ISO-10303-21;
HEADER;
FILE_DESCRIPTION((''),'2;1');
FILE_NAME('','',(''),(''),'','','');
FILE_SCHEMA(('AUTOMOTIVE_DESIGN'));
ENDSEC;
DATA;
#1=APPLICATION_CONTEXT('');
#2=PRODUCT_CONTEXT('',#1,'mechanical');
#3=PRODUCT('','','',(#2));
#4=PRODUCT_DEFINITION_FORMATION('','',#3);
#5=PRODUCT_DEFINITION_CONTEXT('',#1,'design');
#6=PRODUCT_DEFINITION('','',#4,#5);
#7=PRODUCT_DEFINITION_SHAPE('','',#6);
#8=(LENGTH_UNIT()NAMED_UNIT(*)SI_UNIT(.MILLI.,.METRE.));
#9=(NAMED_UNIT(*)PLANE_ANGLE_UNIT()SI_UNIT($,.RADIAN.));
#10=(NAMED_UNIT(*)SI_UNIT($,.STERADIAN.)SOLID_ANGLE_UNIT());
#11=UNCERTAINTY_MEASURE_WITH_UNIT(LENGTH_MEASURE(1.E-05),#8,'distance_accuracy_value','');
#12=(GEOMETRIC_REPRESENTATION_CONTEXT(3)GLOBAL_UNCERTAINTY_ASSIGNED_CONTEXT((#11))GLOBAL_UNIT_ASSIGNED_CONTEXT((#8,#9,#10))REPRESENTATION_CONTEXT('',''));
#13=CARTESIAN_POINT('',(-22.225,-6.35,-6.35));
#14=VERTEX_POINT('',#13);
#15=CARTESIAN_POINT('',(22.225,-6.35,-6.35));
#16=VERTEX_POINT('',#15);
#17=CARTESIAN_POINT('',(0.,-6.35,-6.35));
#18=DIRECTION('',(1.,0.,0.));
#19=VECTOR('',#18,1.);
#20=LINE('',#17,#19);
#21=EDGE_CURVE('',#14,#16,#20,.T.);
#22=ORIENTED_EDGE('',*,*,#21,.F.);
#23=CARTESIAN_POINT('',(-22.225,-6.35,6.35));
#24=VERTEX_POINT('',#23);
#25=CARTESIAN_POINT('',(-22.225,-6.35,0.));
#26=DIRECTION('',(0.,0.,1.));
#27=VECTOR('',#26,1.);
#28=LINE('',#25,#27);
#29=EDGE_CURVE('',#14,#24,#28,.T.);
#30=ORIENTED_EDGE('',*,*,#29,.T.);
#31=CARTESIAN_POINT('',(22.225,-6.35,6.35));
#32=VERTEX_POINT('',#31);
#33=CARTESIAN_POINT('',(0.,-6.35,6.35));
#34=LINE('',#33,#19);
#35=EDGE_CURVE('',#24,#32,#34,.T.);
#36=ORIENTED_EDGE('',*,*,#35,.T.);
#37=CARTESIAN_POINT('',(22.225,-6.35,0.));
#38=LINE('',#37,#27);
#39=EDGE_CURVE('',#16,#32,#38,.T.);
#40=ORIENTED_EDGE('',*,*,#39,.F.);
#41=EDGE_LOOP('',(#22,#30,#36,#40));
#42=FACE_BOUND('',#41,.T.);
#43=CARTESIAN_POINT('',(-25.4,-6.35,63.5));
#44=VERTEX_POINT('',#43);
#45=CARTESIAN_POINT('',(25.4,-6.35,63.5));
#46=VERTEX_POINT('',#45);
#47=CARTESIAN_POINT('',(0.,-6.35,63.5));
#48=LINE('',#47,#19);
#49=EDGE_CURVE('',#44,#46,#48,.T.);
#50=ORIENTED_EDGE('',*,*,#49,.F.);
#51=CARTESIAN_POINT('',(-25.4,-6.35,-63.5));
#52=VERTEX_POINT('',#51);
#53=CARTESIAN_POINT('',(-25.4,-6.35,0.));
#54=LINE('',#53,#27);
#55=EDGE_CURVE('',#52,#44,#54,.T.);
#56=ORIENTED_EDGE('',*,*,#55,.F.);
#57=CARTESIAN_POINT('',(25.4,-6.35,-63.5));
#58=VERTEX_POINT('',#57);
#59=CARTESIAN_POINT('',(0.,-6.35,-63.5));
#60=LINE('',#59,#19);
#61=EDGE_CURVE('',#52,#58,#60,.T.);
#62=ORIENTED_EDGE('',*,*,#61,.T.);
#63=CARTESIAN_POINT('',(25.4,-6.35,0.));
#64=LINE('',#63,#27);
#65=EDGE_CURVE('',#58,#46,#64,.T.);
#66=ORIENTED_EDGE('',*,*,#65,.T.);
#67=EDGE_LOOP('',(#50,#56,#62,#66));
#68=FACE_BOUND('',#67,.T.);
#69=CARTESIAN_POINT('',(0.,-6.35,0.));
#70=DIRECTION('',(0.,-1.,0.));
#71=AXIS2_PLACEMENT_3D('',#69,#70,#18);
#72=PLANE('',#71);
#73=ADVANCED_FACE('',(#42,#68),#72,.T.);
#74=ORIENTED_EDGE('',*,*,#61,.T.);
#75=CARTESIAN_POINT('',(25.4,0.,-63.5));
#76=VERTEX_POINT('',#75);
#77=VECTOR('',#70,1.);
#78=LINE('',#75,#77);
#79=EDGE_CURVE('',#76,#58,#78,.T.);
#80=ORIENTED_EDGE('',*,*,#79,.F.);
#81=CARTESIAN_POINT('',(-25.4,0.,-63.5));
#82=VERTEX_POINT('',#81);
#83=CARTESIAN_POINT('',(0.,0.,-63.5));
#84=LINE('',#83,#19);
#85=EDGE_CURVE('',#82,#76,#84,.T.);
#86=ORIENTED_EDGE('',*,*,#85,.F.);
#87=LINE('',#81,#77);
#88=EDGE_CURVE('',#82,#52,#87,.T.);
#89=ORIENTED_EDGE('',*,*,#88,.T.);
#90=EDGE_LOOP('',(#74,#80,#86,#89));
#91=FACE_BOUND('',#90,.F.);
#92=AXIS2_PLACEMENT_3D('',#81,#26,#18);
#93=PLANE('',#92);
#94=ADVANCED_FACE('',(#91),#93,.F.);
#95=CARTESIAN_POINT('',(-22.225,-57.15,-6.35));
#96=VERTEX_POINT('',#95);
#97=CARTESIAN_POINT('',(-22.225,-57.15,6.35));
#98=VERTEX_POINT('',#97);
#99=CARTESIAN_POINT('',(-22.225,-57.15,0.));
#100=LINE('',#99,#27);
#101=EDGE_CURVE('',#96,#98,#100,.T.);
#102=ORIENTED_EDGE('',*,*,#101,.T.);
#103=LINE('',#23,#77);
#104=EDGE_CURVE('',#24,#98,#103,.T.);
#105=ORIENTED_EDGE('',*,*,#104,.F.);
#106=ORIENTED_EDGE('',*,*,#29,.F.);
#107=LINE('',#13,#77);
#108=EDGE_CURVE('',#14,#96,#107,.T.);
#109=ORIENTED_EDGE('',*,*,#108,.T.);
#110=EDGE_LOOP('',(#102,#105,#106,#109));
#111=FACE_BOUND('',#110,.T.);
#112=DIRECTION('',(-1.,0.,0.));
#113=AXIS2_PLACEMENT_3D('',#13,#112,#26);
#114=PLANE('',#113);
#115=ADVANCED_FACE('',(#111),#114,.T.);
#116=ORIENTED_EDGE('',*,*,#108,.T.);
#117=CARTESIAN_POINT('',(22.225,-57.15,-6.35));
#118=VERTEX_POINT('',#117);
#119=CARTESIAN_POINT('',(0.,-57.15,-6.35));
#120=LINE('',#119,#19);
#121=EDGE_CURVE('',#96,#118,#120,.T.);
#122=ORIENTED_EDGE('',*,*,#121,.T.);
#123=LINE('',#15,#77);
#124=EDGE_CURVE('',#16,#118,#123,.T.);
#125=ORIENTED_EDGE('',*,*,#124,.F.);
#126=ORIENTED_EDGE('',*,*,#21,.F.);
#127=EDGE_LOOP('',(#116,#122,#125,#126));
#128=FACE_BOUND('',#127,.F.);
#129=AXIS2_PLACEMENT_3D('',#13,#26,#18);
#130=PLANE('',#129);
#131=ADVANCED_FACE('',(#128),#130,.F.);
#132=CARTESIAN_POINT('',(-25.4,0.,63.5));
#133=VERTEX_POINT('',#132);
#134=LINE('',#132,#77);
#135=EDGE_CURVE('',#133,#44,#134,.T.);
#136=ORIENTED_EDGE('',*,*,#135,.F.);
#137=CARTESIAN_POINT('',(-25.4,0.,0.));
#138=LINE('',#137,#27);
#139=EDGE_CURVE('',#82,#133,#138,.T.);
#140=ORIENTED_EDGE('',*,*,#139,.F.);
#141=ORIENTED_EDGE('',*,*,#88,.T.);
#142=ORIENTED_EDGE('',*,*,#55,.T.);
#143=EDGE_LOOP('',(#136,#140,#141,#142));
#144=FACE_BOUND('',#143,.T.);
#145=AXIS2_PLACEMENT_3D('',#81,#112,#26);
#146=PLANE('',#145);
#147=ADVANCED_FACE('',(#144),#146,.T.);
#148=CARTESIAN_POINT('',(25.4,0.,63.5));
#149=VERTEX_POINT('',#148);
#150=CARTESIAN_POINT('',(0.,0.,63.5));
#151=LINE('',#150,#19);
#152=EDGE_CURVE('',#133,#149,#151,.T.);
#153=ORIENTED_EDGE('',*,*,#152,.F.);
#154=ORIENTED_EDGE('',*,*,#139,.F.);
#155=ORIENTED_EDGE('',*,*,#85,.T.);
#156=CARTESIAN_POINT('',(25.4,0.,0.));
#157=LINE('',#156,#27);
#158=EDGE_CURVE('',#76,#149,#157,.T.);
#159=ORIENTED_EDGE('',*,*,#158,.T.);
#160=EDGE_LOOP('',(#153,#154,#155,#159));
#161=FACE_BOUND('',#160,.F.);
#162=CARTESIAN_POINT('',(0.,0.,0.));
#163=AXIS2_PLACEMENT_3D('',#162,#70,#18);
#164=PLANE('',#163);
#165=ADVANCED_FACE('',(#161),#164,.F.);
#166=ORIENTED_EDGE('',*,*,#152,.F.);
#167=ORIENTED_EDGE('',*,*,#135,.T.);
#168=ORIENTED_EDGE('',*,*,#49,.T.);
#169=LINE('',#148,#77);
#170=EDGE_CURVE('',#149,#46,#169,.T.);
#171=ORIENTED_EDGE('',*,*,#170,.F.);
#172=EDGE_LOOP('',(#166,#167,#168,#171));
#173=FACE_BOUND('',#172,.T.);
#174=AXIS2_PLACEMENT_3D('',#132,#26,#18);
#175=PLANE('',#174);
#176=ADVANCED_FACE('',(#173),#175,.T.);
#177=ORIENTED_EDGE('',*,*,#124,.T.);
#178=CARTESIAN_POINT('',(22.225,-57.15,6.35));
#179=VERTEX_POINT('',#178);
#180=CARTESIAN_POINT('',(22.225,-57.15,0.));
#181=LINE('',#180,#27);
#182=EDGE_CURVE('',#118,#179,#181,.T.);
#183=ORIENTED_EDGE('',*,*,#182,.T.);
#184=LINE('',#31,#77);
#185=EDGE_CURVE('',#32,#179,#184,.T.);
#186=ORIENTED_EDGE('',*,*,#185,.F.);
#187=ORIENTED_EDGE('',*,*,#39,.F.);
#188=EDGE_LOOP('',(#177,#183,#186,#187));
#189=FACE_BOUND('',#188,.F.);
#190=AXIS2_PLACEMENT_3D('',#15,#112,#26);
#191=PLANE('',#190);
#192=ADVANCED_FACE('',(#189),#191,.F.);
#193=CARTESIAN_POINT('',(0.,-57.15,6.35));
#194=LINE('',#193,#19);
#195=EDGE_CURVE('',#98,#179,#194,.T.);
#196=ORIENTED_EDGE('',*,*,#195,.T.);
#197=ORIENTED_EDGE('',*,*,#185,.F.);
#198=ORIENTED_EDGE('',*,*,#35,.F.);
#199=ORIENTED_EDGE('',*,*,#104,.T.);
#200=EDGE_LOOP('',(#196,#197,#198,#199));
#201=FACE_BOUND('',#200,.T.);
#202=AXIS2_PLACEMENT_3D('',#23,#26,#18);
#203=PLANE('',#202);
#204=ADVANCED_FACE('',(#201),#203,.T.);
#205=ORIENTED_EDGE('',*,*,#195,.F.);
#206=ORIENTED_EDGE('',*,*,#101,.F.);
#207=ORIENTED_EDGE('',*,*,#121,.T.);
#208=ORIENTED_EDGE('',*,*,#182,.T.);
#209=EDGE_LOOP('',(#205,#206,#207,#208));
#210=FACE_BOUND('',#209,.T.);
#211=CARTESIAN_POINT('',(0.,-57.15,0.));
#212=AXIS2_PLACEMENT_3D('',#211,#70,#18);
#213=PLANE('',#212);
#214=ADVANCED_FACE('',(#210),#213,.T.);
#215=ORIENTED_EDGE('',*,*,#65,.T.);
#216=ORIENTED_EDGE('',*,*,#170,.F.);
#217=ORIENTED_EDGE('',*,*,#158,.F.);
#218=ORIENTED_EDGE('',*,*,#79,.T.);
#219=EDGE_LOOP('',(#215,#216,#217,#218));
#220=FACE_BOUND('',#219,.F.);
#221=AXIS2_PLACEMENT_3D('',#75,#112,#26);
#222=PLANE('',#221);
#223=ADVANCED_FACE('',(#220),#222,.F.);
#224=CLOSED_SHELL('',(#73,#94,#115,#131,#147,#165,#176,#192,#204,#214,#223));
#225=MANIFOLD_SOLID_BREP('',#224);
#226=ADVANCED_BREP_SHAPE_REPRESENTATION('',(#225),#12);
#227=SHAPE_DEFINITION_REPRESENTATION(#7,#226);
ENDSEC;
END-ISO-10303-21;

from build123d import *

# Parameters (mm, degrees)
F0_W     = 50.8
F0_H     = 127
F1_DEPTH = 6.35
F3_W     = 44.45
F3_H     = 12.7
F4_DEPTH = 50.8


with BuildPart() as f1:
    # F0 (on Front) → F1 (new body)
    with BuildSketch(Plane.XZ):
        Rectangle(F0_W, F0_H)
    extrude(amount=F1_DEPTH)

    # F3 (on face) → F4 (join)
    with BuildSketch(Plane.XZ.offset(6.35)):
        Rectangle(F3_W, F3_H)
    extrude(amount=F4_DEPTH)


solid = f1.part
